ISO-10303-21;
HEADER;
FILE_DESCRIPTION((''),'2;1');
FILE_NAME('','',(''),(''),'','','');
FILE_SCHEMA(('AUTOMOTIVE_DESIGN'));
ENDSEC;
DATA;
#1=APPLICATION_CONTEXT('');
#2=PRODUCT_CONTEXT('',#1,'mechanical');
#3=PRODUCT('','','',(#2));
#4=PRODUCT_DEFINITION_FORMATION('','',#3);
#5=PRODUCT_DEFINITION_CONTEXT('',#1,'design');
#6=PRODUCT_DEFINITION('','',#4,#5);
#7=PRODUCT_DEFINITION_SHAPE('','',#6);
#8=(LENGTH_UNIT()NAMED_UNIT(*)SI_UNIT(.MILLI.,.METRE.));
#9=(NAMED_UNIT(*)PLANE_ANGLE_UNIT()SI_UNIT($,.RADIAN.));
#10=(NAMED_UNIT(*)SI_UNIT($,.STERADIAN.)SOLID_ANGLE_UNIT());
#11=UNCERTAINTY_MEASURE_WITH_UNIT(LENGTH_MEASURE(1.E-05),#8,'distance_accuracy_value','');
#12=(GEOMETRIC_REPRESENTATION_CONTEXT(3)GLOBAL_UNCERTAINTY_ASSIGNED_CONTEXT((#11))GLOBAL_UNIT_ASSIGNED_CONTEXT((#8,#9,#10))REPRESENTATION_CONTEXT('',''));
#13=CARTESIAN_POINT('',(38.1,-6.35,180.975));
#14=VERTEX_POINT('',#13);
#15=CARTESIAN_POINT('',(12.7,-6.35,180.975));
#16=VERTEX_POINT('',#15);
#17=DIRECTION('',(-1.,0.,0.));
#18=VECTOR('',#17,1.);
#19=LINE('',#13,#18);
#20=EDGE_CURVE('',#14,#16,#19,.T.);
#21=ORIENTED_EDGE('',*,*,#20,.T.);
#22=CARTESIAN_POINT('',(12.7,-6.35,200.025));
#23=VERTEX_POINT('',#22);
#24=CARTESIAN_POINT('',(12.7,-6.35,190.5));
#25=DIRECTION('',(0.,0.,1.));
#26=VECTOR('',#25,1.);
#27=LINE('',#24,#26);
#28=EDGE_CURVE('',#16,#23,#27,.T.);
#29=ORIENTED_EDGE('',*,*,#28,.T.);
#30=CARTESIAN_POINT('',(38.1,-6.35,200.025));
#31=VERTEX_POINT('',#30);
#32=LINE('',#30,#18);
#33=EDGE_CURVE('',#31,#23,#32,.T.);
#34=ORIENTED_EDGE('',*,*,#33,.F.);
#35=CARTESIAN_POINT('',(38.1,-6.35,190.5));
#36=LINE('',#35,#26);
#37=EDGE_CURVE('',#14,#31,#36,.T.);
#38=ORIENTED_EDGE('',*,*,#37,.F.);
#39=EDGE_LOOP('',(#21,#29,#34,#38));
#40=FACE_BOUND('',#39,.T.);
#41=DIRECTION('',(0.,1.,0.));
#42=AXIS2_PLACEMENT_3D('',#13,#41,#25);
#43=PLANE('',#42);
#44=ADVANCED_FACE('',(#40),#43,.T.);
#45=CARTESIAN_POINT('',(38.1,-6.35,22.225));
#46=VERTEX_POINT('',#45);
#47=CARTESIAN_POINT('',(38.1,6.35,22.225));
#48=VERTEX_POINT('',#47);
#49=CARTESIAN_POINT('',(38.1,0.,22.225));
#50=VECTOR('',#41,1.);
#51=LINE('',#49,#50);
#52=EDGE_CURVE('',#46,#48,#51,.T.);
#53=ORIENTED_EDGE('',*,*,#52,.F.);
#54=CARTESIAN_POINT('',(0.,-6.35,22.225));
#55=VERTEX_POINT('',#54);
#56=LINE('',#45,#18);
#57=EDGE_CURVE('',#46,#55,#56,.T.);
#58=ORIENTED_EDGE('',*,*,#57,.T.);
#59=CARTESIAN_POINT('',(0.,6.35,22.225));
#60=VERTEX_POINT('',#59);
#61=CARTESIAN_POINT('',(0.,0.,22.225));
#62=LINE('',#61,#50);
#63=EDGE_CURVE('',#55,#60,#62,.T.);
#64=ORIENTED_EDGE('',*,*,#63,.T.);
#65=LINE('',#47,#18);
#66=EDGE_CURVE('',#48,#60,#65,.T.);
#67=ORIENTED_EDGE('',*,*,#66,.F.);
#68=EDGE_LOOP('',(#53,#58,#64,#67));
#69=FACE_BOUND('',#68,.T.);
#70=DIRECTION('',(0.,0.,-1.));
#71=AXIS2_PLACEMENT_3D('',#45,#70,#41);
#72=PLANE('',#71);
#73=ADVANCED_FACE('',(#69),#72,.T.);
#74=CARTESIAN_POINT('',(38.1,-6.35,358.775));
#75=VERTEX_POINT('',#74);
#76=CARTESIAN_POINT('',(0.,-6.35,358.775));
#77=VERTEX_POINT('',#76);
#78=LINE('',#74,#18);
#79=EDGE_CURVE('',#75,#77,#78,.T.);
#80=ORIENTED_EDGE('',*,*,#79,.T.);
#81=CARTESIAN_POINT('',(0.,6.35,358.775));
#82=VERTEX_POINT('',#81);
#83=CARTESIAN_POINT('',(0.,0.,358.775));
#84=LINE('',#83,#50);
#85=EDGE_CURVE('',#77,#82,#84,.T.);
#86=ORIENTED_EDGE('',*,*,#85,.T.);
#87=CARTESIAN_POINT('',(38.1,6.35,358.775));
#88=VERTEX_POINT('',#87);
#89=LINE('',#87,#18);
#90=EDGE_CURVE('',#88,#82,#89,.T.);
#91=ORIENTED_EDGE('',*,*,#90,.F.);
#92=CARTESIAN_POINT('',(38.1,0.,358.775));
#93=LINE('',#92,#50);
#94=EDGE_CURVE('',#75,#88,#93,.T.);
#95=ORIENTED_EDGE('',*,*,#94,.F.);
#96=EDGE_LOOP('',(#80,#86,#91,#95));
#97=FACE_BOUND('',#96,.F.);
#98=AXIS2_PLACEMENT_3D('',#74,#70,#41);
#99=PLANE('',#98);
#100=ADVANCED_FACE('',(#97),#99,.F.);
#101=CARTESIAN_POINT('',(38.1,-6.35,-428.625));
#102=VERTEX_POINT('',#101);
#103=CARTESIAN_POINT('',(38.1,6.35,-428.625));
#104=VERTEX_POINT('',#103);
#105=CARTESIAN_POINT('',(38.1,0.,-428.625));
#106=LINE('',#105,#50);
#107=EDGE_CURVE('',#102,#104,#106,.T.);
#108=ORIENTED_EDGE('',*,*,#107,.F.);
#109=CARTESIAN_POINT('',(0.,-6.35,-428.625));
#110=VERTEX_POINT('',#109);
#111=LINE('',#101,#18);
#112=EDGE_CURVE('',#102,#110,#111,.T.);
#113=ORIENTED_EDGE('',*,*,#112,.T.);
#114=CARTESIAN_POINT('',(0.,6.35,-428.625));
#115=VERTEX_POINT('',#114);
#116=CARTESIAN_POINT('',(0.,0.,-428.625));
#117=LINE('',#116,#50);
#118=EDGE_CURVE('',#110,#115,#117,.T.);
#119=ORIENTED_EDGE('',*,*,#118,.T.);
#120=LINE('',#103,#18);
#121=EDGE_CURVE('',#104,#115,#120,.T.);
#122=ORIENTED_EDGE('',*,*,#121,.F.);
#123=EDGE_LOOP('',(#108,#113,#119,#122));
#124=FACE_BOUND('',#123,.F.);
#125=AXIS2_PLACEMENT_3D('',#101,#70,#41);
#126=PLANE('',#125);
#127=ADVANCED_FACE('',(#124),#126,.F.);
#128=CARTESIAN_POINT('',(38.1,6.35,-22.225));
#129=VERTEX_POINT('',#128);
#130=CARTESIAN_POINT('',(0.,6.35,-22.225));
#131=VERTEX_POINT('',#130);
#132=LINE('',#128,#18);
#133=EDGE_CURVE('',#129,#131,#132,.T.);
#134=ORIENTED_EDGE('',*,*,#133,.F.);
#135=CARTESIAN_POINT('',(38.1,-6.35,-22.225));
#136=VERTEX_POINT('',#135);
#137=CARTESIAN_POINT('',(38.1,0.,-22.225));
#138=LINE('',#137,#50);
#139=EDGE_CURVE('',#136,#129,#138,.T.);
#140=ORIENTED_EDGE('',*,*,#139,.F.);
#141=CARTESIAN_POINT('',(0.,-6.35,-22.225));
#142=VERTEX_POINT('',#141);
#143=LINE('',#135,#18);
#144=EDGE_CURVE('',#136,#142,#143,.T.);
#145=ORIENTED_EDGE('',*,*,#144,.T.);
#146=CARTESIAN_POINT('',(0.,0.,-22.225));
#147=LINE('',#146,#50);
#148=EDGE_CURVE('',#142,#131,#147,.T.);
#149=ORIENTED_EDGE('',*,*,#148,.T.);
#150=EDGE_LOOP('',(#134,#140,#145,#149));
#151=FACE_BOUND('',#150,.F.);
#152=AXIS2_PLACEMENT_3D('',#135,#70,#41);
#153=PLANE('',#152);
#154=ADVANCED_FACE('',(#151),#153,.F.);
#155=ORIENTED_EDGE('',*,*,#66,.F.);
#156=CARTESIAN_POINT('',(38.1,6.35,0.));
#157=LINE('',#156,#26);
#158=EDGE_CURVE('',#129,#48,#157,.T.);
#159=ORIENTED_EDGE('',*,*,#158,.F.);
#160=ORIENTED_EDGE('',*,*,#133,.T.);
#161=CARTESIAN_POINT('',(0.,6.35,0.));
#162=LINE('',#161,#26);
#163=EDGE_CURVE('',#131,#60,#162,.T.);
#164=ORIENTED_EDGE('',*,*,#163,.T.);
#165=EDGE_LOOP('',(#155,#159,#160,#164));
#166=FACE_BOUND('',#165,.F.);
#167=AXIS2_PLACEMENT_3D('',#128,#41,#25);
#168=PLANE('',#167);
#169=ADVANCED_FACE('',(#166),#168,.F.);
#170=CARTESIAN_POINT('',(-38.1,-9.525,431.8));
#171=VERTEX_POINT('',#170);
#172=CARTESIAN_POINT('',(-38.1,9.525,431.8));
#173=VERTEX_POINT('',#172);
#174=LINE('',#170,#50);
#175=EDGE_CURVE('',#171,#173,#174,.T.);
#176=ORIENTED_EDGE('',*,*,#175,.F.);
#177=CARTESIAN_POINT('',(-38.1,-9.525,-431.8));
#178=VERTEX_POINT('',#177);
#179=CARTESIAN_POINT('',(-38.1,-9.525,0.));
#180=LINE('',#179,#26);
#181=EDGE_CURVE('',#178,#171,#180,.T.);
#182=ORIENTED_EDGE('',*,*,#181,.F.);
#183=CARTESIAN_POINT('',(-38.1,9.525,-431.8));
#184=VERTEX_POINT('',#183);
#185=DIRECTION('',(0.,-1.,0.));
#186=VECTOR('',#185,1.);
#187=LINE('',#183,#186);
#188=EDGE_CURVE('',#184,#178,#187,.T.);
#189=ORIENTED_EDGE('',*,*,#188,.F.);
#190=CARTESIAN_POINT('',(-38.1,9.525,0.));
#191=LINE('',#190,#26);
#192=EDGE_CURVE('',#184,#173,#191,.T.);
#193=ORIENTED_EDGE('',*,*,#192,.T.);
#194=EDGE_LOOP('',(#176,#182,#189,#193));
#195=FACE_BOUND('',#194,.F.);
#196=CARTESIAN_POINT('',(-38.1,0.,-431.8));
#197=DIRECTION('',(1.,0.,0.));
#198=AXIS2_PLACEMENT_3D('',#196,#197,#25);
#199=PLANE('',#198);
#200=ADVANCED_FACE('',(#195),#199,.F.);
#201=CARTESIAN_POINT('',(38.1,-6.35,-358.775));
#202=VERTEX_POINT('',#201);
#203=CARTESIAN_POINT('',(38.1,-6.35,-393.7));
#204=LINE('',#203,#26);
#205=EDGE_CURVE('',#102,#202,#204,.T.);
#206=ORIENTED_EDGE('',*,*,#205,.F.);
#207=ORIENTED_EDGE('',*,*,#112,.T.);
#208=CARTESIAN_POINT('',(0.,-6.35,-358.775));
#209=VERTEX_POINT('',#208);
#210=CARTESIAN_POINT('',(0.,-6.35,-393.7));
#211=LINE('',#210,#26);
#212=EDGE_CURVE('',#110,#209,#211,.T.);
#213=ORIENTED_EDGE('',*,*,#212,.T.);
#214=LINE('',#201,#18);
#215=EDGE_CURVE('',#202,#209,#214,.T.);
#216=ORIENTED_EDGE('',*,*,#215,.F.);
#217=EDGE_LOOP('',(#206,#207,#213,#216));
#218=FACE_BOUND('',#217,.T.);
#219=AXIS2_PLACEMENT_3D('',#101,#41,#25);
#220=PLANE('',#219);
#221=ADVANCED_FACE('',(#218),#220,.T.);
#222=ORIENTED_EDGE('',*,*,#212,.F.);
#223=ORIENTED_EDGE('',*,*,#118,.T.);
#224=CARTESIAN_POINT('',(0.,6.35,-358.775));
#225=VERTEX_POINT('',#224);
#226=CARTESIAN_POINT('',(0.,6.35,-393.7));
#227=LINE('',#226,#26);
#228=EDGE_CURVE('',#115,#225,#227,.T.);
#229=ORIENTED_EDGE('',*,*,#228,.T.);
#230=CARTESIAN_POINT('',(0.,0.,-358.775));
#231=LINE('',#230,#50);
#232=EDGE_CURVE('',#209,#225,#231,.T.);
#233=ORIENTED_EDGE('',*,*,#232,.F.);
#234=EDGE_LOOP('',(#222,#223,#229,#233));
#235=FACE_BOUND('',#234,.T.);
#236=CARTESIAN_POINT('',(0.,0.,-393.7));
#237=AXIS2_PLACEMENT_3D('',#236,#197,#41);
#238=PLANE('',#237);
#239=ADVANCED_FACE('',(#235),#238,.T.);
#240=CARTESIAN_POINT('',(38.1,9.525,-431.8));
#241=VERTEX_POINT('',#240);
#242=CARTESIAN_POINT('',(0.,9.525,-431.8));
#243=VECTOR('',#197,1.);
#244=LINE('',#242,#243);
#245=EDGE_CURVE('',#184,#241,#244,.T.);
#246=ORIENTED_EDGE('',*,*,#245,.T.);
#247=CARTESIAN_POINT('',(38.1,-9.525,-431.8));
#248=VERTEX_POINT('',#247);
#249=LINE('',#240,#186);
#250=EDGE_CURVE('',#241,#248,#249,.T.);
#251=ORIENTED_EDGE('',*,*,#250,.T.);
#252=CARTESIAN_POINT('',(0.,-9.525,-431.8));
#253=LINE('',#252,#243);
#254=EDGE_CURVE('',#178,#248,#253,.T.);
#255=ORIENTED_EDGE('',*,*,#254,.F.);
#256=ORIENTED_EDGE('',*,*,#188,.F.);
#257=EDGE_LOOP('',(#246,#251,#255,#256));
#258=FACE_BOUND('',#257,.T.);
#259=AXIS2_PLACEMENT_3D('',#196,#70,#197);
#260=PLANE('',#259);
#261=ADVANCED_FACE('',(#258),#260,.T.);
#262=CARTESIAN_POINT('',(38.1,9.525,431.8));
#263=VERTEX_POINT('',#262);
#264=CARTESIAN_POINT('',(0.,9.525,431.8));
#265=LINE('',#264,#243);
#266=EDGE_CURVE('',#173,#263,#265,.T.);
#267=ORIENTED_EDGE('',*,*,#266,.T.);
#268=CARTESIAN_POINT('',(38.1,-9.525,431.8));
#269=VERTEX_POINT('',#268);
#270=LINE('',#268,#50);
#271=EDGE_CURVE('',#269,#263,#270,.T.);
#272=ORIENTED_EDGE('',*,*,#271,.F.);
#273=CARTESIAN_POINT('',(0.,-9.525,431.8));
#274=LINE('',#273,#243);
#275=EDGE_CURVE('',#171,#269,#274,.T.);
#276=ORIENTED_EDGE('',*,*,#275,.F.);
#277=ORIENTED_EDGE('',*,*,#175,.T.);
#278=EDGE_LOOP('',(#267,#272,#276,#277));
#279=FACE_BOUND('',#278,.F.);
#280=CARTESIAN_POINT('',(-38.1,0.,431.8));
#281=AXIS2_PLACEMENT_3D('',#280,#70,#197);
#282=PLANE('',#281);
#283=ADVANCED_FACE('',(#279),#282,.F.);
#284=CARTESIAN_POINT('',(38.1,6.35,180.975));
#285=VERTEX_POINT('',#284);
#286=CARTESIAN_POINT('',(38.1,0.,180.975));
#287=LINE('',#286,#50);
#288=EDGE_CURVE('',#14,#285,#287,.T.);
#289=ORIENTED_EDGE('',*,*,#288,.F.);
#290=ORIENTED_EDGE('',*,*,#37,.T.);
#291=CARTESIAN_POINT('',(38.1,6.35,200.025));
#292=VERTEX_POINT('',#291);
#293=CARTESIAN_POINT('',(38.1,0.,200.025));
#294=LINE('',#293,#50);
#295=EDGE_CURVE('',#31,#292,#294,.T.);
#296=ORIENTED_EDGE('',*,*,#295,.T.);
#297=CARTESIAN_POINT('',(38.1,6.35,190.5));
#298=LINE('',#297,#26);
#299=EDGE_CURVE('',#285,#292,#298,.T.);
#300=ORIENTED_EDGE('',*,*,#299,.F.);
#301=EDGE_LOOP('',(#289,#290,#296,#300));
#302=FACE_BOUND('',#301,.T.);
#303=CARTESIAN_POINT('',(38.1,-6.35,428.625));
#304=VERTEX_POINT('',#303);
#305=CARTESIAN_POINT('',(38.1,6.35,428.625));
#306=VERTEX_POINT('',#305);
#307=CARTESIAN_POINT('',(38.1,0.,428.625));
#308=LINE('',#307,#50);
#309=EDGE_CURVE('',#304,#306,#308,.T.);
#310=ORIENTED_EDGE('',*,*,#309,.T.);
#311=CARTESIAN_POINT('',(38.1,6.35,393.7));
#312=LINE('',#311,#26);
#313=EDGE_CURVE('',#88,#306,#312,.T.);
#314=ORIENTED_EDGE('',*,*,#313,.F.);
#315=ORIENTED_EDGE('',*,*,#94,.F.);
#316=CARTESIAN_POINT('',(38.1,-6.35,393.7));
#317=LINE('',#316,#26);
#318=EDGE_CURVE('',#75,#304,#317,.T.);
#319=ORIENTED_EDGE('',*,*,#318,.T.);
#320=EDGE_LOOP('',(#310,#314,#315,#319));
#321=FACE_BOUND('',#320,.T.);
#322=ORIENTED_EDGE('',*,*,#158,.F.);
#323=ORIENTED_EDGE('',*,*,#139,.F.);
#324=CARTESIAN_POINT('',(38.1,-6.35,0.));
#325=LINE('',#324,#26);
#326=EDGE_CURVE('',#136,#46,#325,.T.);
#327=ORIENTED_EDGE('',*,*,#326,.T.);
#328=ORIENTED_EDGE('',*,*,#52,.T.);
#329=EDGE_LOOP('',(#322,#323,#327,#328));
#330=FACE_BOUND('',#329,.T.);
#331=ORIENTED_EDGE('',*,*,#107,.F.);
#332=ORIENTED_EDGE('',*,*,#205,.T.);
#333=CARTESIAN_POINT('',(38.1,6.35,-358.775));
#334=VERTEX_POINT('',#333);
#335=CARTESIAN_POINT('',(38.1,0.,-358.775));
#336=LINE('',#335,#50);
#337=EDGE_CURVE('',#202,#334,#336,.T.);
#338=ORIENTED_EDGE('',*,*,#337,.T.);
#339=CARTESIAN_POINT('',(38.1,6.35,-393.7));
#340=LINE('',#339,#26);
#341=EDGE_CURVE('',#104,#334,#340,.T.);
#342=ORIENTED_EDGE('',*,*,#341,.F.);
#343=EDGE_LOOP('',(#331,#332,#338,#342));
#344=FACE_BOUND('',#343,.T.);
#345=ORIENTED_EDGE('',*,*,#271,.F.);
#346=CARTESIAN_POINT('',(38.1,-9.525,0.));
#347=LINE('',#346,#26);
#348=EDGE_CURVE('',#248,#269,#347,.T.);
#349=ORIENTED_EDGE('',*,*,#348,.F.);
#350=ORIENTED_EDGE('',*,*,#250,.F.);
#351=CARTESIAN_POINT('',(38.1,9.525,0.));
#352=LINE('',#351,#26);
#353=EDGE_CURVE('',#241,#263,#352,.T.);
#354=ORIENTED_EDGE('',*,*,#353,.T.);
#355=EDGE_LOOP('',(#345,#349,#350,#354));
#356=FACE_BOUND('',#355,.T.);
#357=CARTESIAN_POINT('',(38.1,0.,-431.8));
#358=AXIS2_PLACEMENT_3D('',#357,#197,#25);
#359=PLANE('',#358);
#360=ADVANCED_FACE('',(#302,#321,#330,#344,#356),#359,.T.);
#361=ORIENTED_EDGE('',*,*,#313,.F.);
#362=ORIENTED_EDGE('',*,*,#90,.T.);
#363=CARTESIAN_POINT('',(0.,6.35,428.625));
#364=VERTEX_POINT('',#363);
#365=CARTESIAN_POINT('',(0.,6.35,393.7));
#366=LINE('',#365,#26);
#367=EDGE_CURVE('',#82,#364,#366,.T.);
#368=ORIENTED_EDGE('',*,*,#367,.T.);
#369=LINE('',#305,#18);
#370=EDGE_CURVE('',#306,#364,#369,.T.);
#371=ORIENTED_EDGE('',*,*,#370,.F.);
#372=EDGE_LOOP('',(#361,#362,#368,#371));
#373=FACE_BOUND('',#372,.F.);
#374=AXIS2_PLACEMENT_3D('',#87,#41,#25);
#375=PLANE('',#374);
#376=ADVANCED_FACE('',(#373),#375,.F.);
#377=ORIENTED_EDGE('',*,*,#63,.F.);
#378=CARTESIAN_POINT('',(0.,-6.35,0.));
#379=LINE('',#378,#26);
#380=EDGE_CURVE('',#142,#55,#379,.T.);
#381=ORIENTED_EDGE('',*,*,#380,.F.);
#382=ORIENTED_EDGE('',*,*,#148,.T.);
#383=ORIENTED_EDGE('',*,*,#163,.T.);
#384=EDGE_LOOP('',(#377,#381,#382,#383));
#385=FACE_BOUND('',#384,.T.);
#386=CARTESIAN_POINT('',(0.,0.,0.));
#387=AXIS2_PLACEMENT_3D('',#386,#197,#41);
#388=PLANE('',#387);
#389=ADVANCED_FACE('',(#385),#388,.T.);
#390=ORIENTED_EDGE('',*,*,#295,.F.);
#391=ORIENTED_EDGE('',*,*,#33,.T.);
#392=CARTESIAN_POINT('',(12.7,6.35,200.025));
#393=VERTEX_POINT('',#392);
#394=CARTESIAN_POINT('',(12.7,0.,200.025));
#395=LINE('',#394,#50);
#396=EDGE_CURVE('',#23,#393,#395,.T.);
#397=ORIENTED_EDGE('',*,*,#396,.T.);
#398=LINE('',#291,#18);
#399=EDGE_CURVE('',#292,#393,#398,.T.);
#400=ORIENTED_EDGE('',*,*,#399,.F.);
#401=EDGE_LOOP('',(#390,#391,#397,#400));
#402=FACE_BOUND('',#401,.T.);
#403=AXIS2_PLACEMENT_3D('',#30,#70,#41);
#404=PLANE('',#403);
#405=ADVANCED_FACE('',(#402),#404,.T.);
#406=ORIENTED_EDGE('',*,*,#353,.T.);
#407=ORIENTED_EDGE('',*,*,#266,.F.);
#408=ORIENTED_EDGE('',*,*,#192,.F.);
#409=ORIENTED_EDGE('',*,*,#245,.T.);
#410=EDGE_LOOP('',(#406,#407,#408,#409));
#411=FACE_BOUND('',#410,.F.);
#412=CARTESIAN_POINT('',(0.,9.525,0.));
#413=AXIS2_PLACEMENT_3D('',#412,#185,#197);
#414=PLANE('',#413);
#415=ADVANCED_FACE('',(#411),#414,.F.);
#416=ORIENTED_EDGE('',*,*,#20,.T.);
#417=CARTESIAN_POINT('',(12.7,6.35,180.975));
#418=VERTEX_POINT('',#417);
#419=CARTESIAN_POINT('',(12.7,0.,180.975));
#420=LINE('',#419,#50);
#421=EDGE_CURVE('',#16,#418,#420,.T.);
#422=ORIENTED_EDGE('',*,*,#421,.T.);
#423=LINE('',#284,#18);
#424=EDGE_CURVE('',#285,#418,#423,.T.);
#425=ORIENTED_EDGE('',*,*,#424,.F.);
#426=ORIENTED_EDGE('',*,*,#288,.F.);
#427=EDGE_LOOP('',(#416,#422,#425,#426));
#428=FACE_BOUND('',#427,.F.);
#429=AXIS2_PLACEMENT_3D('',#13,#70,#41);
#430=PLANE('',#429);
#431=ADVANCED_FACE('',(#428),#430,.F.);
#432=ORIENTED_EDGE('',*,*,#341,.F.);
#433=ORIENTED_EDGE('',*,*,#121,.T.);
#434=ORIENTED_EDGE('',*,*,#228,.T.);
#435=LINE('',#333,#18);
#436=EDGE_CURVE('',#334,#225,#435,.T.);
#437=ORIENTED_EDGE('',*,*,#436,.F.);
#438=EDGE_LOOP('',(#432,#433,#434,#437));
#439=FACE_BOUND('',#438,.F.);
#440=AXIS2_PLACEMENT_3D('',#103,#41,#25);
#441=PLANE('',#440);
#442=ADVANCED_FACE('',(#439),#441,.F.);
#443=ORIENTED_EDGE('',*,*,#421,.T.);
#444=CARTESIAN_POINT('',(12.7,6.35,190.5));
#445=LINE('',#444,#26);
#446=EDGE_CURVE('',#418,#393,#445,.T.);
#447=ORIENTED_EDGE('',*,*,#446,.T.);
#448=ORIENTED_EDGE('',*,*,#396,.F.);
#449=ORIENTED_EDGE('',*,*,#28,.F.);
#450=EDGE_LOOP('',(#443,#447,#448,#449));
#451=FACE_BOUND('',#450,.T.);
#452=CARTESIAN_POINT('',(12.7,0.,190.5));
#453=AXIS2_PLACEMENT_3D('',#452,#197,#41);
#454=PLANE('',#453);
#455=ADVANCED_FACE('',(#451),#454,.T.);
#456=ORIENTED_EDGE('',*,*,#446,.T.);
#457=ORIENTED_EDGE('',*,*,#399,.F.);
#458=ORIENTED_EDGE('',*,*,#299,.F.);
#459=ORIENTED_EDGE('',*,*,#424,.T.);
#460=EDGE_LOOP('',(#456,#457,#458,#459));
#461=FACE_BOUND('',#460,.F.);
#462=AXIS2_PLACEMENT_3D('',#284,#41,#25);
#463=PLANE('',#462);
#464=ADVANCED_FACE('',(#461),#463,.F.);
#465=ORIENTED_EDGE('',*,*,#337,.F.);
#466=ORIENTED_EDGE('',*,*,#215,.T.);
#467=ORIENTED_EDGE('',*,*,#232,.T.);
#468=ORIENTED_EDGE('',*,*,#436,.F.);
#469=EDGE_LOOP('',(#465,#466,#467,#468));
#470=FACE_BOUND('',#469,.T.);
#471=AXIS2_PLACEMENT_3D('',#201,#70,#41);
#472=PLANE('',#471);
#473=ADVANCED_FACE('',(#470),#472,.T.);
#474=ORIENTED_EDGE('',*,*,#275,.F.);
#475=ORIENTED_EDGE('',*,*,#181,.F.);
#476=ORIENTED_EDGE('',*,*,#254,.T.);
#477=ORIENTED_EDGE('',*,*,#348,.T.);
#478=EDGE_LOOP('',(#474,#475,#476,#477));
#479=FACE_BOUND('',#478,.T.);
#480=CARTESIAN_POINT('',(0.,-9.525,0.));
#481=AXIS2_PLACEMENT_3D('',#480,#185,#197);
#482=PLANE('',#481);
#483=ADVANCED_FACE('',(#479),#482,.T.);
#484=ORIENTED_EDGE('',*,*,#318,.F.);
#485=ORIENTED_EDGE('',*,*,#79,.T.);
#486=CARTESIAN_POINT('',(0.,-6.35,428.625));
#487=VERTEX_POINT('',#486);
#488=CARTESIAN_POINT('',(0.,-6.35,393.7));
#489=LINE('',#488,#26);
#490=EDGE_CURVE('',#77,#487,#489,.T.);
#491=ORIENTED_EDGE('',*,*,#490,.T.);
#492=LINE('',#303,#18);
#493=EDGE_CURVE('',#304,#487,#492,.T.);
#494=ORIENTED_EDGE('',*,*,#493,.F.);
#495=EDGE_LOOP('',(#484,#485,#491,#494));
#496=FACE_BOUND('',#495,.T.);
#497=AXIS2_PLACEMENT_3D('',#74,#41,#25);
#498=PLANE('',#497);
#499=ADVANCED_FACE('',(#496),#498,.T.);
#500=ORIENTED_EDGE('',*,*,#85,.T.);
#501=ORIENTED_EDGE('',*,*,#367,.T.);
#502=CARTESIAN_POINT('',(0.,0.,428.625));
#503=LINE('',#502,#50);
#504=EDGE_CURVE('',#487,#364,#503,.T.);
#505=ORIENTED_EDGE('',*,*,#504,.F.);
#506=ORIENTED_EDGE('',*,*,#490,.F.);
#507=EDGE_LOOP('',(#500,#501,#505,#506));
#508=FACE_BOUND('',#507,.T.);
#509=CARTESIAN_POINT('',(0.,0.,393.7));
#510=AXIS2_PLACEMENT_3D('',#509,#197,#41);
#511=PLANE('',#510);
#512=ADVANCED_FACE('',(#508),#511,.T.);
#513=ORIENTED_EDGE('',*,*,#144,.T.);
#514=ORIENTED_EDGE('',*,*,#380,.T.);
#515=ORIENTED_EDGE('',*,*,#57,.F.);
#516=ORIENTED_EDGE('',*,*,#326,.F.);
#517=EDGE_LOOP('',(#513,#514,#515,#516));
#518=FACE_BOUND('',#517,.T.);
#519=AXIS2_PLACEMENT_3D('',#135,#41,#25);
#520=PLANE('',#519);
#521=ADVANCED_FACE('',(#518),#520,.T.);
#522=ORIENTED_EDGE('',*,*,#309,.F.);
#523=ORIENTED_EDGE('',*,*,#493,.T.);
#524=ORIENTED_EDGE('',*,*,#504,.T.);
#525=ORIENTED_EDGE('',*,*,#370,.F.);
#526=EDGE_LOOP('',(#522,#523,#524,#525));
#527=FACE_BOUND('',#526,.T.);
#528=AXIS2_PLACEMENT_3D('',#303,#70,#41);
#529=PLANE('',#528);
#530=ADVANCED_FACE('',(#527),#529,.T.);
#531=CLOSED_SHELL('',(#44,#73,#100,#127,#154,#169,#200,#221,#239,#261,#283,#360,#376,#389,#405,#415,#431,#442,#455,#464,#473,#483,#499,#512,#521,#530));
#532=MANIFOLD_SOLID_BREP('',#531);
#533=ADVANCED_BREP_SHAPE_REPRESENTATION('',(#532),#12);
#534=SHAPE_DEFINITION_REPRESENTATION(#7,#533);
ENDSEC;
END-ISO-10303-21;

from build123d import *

# Parameters (mm, degrees)
F0_W     = 76.2
F0_H     = 863.6
F1_DEPTH = 9.525
F2_W     = 12.7
F2_H     = 69.85
F3_DEPTH = 38.1
F2_H_2   = 44.45
F4_DEPTH = 38.1
F5_DEPTH = 38.1
F6_W     = 12.7
F6_H     = 19.05
F7_DEPTH = 25.4


with BuildPart() as f1:
    # F0 (on Front) → F1 (new body, symmetric)
    with BuildSketch(Plane.XZ):
        Rectangle(F0_W, F0_H)
    extrude(amount=F1_DEPTH, both=True)

    # F2 (on face) → F3 (cut)
    with BuildSketch(Plane.YZ.offset(38.1)):
        with Locations((0, 393.7)):
            Rectangle(F2_W, F2_H)
    extrude(amount=-F3_DEPTH, mode=Mode.SUBTRACT)

    # F2 (on face) → F4 (cut)
    with BuildSketch(Plane.YZ.offset(38.1)):
        Rectangle(F2_W, F2_H_2)
    extrude(amount=-F4_DEPTH, mode=Mode.SUBTRACT)

    # F2 (on face) → F5 (cut)
    with BuildSketch(Plane.YZ.offset(38.1)):
        with Locations((0, -393.7)):
            Rectangle(F2_W, F2_H)
    extrude(amount=-F5_DEPTH, mode=Mode.SUBTRACT)

    # F6 (on face) → F7 (cut)
    with BuildSketch(Plane.YZ.offset(38.1)):
        with Locations((0, 190.5)):
            Rectangle(F6_W, F6_H)
    extrude(amount=-F7_DEPTH, mode=Mode.SUBTRACT)


solid = f1.part
